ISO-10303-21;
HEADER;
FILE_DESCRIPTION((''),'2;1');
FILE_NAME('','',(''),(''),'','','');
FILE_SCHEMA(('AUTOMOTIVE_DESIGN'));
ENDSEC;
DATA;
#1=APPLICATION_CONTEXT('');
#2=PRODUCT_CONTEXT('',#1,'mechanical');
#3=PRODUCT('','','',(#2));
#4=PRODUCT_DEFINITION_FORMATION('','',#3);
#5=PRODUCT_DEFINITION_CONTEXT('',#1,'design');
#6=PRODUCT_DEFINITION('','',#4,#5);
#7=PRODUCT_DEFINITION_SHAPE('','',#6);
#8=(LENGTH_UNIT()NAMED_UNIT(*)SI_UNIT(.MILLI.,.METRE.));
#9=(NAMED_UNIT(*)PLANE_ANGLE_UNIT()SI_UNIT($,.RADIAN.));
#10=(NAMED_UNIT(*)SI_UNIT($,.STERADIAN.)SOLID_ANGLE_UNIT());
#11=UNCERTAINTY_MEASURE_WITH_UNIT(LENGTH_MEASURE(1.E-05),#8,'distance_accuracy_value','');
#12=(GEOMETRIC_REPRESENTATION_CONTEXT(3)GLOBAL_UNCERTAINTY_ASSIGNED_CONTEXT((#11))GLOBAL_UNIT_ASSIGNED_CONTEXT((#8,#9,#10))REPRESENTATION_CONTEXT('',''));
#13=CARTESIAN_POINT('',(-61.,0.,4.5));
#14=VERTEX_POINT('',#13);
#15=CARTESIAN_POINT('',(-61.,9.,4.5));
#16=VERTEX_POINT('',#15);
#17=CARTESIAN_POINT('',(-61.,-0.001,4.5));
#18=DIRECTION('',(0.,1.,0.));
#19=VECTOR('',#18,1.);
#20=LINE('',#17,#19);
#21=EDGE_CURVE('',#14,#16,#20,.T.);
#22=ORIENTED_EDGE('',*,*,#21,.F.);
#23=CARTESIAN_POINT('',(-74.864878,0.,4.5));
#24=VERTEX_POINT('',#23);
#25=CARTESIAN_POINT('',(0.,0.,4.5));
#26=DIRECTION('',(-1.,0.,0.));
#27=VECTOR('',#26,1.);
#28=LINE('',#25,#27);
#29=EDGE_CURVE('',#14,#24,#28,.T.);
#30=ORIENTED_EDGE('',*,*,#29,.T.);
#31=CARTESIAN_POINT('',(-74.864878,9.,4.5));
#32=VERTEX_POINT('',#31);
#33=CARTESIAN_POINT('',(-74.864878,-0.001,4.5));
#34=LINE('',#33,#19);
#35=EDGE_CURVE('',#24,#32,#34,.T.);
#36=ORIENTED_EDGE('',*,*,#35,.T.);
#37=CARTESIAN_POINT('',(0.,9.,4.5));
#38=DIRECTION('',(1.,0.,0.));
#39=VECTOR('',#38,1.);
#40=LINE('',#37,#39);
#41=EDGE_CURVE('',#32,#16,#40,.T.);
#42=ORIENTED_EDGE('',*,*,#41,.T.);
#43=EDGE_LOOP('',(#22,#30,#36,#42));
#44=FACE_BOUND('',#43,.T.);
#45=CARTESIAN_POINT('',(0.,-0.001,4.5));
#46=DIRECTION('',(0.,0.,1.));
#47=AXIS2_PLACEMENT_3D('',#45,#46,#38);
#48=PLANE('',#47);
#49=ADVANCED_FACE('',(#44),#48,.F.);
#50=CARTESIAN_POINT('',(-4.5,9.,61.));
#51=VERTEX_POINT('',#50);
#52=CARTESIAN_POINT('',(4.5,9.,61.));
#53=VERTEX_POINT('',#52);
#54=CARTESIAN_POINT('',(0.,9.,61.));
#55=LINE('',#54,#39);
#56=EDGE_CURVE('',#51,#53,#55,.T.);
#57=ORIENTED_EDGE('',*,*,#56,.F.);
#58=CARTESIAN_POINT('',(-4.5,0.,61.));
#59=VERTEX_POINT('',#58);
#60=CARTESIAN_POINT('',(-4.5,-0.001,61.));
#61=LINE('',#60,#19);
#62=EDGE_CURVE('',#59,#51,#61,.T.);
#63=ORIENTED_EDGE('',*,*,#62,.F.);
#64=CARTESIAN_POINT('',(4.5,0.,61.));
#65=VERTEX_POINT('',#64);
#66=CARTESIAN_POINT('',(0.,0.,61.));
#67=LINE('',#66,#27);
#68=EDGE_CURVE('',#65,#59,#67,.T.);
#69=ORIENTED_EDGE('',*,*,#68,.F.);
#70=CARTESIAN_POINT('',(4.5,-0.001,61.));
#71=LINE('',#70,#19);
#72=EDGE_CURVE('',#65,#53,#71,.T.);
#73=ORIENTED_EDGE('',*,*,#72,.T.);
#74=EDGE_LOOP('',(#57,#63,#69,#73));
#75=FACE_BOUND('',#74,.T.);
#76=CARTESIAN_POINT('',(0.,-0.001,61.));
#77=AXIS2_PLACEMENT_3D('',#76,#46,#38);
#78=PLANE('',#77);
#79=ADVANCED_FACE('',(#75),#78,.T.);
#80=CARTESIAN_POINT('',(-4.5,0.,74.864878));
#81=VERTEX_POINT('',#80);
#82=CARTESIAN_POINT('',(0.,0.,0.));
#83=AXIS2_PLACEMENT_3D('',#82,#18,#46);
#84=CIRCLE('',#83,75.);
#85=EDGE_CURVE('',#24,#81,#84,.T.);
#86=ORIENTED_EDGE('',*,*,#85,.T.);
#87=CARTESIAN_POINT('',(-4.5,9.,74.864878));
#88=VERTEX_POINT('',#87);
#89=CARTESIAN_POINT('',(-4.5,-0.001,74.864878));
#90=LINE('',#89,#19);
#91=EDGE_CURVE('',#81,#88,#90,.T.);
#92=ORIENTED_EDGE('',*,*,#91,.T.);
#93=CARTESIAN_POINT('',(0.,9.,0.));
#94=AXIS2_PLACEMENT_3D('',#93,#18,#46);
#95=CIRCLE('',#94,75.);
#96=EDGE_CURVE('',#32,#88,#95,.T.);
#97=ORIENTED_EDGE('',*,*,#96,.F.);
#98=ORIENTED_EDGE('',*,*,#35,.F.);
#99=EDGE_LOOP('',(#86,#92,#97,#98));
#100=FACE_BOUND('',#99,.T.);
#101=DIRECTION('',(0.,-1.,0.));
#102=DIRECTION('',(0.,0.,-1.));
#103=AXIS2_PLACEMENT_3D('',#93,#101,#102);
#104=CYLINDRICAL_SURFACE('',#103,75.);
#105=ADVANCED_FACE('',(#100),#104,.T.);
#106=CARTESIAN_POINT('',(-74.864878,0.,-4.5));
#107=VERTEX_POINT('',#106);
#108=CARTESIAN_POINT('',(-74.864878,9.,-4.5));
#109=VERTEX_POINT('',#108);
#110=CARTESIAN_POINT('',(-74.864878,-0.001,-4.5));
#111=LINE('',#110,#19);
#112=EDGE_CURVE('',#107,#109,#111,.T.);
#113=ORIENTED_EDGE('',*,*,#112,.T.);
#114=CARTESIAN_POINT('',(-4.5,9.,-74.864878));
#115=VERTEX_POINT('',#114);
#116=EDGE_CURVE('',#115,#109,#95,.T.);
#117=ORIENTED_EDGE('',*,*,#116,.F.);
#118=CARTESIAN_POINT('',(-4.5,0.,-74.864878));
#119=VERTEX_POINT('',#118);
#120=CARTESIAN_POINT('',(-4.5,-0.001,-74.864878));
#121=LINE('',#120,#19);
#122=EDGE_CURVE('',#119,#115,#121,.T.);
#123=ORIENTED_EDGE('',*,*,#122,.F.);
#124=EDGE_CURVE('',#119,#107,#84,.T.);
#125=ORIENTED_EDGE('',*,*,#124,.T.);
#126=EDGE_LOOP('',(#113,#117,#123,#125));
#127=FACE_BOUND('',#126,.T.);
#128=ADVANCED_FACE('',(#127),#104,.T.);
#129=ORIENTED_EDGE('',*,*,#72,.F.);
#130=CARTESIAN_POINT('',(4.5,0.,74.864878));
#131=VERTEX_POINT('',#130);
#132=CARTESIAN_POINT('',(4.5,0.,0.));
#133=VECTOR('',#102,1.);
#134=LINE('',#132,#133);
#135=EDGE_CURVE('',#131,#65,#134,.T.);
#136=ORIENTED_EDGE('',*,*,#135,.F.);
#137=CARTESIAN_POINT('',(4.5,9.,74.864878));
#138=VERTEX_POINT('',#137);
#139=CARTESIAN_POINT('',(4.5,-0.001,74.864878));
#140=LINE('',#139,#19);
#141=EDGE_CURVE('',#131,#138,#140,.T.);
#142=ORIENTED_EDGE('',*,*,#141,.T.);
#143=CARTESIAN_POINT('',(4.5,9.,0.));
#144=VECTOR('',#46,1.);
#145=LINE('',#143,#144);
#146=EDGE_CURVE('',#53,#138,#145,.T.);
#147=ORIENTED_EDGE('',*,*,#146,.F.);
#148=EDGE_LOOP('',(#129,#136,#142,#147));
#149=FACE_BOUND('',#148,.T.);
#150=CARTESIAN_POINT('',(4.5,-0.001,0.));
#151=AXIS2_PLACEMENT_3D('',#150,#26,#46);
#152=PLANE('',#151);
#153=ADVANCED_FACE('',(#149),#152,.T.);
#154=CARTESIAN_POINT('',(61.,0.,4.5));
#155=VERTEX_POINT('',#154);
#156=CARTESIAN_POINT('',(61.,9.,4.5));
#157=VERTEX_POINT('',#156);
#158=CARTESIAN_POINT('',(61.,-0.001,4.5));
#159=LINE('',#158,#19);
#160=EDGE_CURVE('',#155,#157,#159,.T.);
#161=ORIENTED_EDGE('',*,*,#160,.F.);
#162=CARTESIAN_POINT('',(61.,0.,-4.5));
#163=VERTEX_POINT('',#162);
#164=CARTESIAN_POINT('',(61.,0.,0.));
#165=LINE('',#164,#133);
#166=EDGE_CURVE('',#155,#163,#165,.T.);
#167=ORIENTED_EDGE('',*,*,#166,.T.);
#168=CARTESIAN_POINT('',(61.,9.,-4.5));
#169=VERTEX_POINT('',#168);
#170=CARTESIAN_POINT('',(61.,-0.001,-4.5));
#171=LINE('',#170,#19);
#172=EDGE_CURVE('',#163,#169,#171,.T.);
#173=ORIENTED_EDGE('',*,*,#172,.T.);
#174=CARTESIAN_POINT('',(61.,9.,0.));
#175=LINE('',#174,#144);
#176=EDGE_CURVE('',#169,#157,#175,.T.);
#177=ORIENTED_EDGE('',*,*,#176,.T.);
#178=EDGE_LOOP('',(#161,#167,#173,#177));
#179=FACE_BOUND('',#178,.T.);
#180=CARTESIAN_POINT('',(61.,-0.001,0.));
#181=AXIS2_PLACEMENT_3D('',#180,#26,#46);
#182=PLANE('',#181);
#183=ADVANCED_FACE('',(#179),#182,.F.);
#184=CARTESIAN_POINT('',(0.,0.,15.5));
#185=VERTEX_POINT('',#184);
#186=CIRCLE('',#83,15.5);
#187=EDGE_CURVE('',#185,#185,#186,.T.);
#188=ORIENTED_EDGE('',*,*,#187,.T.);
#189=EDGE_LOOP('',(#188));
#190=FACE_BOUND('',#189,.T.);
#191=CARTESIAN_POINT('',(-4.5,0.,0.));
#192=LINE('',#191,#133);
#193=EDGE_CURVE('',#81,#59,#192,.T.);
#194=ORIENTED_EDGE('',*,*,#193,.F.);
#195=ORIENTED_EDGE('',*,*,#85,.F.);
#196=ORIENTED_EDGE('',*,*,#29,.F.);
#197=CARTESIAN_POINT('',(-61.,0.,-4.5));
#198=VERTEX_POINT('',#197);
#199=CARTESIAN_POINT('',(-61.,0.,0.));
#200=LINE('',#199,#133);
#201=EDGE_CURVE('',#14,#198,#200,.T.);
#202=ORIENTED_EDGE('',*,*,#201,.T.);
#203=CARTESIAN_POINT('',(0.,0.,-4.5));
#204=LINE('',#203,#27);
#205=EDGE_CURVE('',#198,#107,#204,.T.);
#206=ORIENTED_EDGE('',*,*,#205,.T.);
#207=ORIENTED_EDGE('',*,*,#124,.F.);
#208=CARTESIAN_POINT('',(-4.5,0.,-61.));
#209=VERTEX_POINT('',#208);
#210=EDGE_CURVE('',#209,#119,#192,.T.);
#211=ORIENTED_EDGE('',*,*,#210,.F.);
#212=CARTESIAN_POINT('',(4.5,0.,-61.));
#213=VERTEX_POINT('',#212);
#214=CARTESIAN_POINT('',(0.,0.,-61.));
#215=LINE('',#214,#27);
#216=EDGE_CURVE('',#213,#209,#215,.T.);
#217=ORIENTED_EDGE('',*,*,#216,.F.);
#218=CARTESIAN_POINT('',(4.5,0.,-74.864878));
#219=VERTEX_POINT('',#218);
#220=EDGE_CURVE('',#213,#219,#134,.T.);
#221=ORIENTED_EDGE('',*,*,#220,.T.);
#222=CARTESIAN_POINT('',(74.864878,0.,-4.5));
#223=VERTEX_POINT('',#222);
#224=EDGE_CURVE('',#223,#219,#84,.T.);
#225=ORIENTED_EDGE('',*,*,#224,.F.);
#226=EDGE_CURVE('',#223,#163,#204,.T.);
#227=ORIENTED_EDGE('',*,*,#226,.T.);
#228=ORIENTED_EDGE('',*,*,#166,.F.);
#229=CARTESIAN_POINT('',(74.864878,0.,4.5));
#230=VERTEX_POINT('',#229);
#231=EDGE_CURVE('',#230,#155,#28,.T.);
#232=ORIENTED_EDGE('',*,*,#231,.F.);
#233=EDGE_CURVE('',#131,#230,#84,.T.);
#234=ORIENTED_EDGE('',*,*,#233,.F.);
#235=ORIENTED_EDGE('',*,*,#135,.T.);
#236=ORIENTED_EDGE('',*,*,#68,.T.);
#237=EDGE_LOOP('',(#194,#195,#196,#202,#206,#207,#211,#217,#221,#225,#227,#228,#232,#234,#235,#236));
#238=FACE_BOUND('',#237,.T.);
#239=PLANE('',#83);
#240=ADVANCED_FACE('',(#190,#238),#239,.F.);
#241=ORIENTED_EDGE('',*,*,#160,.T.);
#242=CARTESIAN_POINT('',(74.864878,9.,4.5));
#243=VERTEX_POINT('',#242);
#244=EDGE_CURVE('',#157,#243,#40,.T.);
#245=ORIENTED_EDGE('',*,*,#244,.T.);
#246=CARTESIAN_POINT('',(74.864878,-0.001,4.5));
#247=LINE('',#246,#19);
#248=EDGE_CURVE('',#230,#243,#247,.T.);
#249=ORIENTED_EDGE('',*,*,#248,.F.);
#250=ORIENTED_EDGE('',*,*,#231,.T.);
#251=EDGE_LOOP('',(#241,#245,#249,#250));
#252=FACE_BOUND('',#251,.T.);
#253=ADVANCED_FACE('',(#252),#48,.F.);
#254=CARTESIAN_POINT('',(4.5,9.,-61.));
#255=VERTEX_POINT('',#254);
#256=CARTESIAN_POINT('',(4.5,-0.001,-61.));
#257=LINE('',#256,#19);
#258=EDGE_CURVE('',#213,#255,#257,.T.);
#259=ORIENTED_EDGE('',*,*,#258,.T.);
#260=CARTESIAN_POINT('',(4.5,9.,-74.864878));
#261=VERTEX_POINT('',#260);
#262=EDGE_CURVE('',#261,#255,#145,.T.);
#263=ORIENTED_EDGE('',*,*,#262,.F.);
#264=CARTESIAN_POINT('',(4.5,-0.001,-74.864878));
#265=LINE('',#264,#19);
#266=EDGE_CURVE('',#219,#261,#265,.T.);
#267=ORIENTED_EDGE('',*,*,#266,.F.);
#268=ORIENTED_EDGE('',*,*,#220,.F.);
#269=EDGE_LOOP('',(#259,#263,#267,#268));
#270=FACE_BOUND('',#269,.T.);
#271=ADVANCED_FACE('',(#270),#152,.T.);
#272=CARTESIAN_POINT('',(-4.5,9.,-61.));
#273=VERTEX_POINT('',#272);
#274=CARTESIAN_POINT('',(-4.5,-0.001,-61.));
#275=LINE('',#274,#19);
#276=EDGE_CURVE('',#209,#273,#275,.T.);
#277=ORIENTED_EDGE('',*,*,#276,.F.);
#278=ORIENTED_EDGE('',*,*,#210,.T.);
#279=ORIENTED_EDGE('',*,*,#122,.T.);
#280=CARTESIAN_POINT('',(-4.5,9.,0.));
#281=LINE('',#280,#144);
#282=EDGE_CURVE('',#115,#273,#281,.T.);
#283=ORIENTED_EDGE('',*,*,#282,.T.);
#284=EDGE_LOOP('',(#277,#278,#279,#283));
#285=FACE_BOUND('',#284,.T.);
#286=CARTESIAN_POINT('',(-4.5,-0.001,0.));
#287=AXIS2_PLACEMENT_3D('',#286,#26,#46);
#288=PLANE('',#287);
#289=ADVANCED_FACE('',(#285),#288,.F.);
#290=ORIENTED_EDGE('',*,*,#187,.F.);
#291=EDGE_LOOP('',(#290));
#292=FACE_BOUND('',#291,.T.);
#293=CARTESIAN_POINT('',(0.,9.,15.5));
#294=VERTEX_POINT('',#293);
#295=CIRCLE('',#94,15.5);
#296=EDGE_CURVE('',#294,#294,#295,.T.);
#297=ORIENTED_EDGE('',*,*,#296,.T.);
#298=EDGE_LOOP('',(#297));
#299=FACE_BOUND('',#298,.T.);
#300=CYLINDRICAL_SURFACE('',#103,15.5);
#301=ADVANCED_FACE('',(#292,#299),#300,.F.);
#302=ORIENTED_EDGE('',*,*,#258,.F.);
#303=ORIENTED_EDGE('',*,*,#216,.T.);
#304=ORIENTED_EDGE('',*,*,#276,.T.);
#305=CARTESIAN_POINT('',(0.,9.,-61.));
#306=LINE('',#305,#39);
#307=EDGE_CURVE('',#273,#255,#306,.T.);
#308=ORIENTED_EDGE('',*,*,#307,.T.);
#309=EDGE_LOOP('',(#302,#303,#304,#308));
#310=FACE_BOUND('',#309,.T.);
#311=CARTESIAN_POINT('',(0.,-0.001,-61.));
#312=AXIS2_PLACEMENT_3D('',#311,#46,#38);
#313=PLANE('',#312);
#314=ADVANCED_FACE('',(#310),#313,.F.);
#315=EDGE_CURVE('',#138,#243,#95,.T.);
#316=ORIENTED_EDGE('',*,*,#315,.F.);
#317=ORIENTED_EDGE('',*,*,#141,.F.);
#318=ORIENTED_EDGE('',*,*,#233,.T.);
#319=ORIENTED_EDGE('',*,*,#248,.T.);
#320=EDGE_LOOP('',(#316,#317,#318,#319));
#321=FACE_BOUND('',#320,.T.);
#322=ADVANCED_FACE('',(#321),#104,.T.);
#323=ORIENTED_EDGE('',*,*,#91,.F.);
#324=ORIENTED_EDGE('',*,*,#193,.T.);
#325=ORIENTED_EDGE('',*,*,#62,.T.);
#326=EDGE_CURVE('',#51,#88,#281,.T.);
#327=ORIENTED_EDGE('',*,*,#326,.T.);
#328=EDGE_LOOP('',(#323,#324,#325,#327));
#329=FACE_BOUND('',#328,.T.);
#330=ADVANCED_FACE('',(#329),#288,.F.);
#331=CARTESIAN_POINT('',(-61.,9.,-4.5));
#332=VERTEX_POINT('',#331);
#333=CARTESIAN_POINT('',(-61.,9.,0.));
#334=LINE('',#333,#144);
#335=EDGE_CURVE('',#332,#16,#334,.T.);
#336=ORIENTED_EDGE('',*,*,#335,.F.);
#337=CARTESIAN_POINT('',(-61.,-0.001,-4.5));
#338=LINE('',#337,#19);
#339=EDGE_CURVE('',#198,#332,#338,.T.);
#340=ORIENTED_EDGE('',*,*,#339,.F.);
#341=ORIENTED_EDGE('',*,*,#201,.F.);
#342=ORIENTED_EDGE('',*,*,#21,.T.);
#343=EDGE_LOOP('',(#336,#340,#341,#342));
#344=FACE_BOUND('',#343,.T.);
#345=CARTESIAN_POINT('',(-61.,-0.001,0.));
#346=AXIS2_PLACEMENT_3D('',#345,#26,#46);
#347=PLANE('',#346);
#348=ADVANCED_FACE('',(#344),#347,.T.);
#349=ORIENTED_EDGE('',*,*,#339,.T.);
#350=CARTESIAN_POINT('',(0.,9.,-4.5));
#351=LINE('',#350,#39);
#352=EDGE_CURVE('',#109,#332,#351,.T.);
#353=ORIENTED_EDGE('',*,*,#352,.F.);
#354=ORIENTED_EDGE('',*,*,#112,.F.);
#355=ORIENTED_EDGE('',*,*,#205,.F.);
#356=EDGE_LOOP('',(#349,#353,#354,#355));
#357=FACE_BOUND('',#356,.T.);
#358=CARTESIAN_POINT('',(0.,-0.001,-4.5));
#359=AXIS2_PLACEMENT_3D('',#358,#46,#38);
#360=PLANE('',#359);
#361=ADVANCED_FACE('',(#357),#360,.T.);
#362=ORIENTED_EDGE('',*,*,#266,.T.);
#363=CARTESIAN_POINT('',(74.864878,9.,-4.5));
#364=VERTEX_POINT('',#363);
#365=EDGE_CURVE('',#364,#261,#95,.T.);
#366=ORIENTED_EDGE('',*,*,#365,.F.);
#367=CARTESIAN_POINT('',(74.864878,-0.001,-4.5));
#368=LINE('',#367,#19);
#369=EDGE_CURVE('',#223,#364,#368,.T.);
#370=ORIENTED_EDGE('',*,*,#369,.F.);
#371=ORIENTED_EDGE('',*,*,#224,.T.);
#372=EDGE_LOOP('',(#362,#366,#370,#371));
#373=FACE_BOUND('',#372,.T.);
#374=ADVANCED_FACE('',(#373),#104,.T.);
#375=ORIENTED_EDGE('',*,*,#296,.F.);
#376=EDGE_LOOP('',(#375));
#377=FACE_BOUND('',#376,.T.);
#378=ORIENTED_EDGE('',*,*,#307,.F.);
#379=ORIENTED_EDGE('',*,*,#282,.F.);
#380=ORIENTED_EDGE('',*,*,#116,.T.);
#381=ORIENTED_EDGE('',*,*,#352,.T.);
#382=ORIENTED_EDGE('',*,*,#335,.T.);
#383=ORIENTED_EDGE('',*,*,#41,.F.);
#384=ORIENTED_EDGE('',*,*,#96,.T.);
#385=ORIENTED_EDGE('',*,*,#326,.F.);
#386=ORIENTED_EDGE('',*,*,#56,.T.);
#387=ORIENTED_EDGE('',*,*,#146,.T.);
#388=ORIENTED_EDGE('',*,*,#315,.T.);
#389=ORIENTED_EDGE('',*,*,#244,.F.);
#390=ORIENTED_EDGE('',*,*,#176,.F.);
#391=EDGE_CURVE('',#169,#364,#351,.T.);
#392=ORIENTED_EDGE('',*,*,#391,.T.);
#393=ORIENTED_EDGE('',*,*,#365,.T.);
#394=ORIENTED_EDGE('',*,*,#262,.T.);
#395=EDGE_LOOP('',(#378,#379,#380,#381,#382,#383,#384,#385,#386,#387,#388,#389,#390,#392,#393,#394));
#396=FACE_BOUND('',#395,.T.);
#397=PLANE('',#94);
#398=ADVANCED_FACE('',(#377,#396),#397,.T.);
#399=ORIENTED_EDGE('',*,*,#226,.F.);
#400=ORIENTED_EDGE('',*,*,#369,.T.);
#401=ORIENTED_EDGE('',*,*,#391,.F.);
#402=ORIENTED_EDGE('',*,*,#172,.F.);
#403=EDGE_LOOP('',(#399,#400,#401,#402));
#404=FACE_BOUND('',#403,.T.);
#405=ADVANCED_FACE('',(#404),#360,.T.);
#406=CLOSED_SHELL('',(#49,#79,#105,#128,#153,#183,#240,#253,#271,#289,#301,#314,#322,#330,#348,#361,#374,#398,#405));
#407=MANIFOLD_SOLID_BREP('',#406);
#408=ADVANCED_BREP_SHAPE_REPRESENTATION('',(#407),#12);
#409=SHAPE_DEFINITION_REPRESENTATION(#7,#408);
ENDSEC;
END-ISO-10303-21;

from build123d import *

# Parameters (mm, degrees)
ESBO_O3_R                = 75
ESBO_O3_R_2              = 15.5
RESSALTO_EXTRUS_O2_DEPTH = 9
CORTE_EXTRUS_O1_REACH    = 11


with BuildPart() as part:
    # Esboço3 → Ressalto-extrusão2 (new body)
    with BuildSketch(Plane(origin=(0, 0, 0), x_dir=(1, 0, 0), z_dir=(0, 1, 0))):
        with Locations(Location((0, 0, 0), (0, 0, 270))):  # turned: the seam where the file's is
            Circle(ESBO_O3_R)
        with Locations(Location((0, 0, 0), (0, 0, 270))):  # turned: the seam where the file's is
            Circle(ESBO_O3_R_2, mode=Mode.SUBTRACT)
    extrude(amount=RESSALTO_EXTRUS_O2_DEPTH)

    # Esboço5 → Corte-extrusão1 (cut, up to next)
    with BuildSketch(Plane(origin=(0, 9, 0), x_dir=(1, 0, 0), z_dir=(0, 1, 0)), mode=Mode.PRIVATE) as corte_extrus_o1_sk1:
        with BuildLine():
            ThreePointArc((0, 75), (-2.251014098, 74.966211959), (-4.5, 74.864878281))
            Line((-4.5, 74.864878281), (-4.5, 61))
            Line((-4.5, 61), (4.5, 61))
            Line((4.5, 61), (4.5, 74.864878281))
            ThreePointArc((4.5, 74.864878281), (2.251014098, 74.966211959), (0, 75))
        make_face()
    corte_extrus_o1_tool1 = extrude(corte_extrus_o1_sk1.sketch, amount=-CORTE_EXTRUS_O1_REACH, mode=Mode.PRIVATE) & part.part
    add(corte_extrus_o1_tool1.solids().sort_by_distance((0, 9, -67.977546))[0], mode=Mode.SUBTRACT)
    # Esboço5 → Corte-extrusão1 (cut, up to next)
    with BuildSketch(Plane(origin=(0, 9, 0), x_dir=(1, 0, 0), z_dir=(0, 1, 0)), mode=Mode.PRIVATE) as corte_extrus_o1_sk2:
        with BuildLine():
            Line((61, -4.5), (74.864878281, -4.5))
            ThreePointArc((74.864878281, -4.5), (74.966211959, -2.251014098), (75, 0))
            ThreePointArc((75, 0), (74.966211959, 2.251014098), (74.864878281, 4.5))
            Line((74.864878281, 4.5), (61, 4.5))
            Line((61, 4.5), (61, -4.5))
        make_face()
    corte_extrus_o1_tool2 = extrude(corte_extrus_o1_sk2.sketch, amount=-CORTE_EXTRUS_O1_REACH, mode=Mode.PRIVATE) & part.part
    add(corte_extrus_o1_tool2.solids().sort_by_distance((67.977546, 9, 0))[0], mode=Mode.SUBTRACT)
    # Esboço5 → Corte-extrusão1 (cut, up to next)
    with BuildSketch(Plane(origin=(0, 9, 0), x_dir=(1, 0, 0), z_dir=(0, 1, 0)), mode=Mode.PRIVATE) as corte_extrus_o1_sk3:
        with BuildLine():
            Line((-4.5, -61), (-4.5, -74.864878281))
            ThreePointArc((-4.5, -74.864878281), (-2.251014098, -74.966211959), (0, -75))
            ThreePointArc((0, -75), (2.251014098, -74.966211959), (4.5, -74.864878281))
            Line((4.5, -74.864878281), (4.5, -61))
            Line((4.5, -61), (-4.5, -61))
        make_face()
    corte_extrus_o1_tool3 = extrude(corte_extrus_o1_sk3.sketch, amount=-CORTE_EXTRUS_O1_REACH, mode=Mode.PRIVATE) & part.part
    add(corte_extrus_o1_tool3.solids().sort_by_distance((0, 9, 67.977546))[0], mode=Mode.SUBTRACT)
    # Esboço5 → Corte-extrusão1 (cut, up to next)
    with BuildSketch(Plane(origin=(0, 9, 0), x_dir=(1, 0, 0), z_dir=(0, 1, 0)), mode=Mode.PRIVATE) as corte_extrus_o1_sk4:
        with BuildLine():
            ThreePointArc((-75, 0), (-74.966211959, -2.251014098), (-74.864878281, -4.5))
            Line((-74.864878281, -4.5), (-61, -4.5))
            Line((-61, -4.5), (-61, 4.5))
            Line((-61, 4.5), (-74.864878281, 4.5))
            ThreePointArc((-74.864878281, 4.5), (-74.966211959, 2.251014098), (-75, 0))
        make_face()
    corte_extrus_o1_tool4 = extrude(corte_extrus_o1_sk4.sketch, amount=-CORTE_EXTRUS_O1_REACH, mode=Mode.PRIVATE) & part.part
    add(corte_extrus_o1_tool4.solids().sort_by_distance((-67.977546, 9, 0))[0], mode=Mode.SUBTRACT)


solid = part.part
